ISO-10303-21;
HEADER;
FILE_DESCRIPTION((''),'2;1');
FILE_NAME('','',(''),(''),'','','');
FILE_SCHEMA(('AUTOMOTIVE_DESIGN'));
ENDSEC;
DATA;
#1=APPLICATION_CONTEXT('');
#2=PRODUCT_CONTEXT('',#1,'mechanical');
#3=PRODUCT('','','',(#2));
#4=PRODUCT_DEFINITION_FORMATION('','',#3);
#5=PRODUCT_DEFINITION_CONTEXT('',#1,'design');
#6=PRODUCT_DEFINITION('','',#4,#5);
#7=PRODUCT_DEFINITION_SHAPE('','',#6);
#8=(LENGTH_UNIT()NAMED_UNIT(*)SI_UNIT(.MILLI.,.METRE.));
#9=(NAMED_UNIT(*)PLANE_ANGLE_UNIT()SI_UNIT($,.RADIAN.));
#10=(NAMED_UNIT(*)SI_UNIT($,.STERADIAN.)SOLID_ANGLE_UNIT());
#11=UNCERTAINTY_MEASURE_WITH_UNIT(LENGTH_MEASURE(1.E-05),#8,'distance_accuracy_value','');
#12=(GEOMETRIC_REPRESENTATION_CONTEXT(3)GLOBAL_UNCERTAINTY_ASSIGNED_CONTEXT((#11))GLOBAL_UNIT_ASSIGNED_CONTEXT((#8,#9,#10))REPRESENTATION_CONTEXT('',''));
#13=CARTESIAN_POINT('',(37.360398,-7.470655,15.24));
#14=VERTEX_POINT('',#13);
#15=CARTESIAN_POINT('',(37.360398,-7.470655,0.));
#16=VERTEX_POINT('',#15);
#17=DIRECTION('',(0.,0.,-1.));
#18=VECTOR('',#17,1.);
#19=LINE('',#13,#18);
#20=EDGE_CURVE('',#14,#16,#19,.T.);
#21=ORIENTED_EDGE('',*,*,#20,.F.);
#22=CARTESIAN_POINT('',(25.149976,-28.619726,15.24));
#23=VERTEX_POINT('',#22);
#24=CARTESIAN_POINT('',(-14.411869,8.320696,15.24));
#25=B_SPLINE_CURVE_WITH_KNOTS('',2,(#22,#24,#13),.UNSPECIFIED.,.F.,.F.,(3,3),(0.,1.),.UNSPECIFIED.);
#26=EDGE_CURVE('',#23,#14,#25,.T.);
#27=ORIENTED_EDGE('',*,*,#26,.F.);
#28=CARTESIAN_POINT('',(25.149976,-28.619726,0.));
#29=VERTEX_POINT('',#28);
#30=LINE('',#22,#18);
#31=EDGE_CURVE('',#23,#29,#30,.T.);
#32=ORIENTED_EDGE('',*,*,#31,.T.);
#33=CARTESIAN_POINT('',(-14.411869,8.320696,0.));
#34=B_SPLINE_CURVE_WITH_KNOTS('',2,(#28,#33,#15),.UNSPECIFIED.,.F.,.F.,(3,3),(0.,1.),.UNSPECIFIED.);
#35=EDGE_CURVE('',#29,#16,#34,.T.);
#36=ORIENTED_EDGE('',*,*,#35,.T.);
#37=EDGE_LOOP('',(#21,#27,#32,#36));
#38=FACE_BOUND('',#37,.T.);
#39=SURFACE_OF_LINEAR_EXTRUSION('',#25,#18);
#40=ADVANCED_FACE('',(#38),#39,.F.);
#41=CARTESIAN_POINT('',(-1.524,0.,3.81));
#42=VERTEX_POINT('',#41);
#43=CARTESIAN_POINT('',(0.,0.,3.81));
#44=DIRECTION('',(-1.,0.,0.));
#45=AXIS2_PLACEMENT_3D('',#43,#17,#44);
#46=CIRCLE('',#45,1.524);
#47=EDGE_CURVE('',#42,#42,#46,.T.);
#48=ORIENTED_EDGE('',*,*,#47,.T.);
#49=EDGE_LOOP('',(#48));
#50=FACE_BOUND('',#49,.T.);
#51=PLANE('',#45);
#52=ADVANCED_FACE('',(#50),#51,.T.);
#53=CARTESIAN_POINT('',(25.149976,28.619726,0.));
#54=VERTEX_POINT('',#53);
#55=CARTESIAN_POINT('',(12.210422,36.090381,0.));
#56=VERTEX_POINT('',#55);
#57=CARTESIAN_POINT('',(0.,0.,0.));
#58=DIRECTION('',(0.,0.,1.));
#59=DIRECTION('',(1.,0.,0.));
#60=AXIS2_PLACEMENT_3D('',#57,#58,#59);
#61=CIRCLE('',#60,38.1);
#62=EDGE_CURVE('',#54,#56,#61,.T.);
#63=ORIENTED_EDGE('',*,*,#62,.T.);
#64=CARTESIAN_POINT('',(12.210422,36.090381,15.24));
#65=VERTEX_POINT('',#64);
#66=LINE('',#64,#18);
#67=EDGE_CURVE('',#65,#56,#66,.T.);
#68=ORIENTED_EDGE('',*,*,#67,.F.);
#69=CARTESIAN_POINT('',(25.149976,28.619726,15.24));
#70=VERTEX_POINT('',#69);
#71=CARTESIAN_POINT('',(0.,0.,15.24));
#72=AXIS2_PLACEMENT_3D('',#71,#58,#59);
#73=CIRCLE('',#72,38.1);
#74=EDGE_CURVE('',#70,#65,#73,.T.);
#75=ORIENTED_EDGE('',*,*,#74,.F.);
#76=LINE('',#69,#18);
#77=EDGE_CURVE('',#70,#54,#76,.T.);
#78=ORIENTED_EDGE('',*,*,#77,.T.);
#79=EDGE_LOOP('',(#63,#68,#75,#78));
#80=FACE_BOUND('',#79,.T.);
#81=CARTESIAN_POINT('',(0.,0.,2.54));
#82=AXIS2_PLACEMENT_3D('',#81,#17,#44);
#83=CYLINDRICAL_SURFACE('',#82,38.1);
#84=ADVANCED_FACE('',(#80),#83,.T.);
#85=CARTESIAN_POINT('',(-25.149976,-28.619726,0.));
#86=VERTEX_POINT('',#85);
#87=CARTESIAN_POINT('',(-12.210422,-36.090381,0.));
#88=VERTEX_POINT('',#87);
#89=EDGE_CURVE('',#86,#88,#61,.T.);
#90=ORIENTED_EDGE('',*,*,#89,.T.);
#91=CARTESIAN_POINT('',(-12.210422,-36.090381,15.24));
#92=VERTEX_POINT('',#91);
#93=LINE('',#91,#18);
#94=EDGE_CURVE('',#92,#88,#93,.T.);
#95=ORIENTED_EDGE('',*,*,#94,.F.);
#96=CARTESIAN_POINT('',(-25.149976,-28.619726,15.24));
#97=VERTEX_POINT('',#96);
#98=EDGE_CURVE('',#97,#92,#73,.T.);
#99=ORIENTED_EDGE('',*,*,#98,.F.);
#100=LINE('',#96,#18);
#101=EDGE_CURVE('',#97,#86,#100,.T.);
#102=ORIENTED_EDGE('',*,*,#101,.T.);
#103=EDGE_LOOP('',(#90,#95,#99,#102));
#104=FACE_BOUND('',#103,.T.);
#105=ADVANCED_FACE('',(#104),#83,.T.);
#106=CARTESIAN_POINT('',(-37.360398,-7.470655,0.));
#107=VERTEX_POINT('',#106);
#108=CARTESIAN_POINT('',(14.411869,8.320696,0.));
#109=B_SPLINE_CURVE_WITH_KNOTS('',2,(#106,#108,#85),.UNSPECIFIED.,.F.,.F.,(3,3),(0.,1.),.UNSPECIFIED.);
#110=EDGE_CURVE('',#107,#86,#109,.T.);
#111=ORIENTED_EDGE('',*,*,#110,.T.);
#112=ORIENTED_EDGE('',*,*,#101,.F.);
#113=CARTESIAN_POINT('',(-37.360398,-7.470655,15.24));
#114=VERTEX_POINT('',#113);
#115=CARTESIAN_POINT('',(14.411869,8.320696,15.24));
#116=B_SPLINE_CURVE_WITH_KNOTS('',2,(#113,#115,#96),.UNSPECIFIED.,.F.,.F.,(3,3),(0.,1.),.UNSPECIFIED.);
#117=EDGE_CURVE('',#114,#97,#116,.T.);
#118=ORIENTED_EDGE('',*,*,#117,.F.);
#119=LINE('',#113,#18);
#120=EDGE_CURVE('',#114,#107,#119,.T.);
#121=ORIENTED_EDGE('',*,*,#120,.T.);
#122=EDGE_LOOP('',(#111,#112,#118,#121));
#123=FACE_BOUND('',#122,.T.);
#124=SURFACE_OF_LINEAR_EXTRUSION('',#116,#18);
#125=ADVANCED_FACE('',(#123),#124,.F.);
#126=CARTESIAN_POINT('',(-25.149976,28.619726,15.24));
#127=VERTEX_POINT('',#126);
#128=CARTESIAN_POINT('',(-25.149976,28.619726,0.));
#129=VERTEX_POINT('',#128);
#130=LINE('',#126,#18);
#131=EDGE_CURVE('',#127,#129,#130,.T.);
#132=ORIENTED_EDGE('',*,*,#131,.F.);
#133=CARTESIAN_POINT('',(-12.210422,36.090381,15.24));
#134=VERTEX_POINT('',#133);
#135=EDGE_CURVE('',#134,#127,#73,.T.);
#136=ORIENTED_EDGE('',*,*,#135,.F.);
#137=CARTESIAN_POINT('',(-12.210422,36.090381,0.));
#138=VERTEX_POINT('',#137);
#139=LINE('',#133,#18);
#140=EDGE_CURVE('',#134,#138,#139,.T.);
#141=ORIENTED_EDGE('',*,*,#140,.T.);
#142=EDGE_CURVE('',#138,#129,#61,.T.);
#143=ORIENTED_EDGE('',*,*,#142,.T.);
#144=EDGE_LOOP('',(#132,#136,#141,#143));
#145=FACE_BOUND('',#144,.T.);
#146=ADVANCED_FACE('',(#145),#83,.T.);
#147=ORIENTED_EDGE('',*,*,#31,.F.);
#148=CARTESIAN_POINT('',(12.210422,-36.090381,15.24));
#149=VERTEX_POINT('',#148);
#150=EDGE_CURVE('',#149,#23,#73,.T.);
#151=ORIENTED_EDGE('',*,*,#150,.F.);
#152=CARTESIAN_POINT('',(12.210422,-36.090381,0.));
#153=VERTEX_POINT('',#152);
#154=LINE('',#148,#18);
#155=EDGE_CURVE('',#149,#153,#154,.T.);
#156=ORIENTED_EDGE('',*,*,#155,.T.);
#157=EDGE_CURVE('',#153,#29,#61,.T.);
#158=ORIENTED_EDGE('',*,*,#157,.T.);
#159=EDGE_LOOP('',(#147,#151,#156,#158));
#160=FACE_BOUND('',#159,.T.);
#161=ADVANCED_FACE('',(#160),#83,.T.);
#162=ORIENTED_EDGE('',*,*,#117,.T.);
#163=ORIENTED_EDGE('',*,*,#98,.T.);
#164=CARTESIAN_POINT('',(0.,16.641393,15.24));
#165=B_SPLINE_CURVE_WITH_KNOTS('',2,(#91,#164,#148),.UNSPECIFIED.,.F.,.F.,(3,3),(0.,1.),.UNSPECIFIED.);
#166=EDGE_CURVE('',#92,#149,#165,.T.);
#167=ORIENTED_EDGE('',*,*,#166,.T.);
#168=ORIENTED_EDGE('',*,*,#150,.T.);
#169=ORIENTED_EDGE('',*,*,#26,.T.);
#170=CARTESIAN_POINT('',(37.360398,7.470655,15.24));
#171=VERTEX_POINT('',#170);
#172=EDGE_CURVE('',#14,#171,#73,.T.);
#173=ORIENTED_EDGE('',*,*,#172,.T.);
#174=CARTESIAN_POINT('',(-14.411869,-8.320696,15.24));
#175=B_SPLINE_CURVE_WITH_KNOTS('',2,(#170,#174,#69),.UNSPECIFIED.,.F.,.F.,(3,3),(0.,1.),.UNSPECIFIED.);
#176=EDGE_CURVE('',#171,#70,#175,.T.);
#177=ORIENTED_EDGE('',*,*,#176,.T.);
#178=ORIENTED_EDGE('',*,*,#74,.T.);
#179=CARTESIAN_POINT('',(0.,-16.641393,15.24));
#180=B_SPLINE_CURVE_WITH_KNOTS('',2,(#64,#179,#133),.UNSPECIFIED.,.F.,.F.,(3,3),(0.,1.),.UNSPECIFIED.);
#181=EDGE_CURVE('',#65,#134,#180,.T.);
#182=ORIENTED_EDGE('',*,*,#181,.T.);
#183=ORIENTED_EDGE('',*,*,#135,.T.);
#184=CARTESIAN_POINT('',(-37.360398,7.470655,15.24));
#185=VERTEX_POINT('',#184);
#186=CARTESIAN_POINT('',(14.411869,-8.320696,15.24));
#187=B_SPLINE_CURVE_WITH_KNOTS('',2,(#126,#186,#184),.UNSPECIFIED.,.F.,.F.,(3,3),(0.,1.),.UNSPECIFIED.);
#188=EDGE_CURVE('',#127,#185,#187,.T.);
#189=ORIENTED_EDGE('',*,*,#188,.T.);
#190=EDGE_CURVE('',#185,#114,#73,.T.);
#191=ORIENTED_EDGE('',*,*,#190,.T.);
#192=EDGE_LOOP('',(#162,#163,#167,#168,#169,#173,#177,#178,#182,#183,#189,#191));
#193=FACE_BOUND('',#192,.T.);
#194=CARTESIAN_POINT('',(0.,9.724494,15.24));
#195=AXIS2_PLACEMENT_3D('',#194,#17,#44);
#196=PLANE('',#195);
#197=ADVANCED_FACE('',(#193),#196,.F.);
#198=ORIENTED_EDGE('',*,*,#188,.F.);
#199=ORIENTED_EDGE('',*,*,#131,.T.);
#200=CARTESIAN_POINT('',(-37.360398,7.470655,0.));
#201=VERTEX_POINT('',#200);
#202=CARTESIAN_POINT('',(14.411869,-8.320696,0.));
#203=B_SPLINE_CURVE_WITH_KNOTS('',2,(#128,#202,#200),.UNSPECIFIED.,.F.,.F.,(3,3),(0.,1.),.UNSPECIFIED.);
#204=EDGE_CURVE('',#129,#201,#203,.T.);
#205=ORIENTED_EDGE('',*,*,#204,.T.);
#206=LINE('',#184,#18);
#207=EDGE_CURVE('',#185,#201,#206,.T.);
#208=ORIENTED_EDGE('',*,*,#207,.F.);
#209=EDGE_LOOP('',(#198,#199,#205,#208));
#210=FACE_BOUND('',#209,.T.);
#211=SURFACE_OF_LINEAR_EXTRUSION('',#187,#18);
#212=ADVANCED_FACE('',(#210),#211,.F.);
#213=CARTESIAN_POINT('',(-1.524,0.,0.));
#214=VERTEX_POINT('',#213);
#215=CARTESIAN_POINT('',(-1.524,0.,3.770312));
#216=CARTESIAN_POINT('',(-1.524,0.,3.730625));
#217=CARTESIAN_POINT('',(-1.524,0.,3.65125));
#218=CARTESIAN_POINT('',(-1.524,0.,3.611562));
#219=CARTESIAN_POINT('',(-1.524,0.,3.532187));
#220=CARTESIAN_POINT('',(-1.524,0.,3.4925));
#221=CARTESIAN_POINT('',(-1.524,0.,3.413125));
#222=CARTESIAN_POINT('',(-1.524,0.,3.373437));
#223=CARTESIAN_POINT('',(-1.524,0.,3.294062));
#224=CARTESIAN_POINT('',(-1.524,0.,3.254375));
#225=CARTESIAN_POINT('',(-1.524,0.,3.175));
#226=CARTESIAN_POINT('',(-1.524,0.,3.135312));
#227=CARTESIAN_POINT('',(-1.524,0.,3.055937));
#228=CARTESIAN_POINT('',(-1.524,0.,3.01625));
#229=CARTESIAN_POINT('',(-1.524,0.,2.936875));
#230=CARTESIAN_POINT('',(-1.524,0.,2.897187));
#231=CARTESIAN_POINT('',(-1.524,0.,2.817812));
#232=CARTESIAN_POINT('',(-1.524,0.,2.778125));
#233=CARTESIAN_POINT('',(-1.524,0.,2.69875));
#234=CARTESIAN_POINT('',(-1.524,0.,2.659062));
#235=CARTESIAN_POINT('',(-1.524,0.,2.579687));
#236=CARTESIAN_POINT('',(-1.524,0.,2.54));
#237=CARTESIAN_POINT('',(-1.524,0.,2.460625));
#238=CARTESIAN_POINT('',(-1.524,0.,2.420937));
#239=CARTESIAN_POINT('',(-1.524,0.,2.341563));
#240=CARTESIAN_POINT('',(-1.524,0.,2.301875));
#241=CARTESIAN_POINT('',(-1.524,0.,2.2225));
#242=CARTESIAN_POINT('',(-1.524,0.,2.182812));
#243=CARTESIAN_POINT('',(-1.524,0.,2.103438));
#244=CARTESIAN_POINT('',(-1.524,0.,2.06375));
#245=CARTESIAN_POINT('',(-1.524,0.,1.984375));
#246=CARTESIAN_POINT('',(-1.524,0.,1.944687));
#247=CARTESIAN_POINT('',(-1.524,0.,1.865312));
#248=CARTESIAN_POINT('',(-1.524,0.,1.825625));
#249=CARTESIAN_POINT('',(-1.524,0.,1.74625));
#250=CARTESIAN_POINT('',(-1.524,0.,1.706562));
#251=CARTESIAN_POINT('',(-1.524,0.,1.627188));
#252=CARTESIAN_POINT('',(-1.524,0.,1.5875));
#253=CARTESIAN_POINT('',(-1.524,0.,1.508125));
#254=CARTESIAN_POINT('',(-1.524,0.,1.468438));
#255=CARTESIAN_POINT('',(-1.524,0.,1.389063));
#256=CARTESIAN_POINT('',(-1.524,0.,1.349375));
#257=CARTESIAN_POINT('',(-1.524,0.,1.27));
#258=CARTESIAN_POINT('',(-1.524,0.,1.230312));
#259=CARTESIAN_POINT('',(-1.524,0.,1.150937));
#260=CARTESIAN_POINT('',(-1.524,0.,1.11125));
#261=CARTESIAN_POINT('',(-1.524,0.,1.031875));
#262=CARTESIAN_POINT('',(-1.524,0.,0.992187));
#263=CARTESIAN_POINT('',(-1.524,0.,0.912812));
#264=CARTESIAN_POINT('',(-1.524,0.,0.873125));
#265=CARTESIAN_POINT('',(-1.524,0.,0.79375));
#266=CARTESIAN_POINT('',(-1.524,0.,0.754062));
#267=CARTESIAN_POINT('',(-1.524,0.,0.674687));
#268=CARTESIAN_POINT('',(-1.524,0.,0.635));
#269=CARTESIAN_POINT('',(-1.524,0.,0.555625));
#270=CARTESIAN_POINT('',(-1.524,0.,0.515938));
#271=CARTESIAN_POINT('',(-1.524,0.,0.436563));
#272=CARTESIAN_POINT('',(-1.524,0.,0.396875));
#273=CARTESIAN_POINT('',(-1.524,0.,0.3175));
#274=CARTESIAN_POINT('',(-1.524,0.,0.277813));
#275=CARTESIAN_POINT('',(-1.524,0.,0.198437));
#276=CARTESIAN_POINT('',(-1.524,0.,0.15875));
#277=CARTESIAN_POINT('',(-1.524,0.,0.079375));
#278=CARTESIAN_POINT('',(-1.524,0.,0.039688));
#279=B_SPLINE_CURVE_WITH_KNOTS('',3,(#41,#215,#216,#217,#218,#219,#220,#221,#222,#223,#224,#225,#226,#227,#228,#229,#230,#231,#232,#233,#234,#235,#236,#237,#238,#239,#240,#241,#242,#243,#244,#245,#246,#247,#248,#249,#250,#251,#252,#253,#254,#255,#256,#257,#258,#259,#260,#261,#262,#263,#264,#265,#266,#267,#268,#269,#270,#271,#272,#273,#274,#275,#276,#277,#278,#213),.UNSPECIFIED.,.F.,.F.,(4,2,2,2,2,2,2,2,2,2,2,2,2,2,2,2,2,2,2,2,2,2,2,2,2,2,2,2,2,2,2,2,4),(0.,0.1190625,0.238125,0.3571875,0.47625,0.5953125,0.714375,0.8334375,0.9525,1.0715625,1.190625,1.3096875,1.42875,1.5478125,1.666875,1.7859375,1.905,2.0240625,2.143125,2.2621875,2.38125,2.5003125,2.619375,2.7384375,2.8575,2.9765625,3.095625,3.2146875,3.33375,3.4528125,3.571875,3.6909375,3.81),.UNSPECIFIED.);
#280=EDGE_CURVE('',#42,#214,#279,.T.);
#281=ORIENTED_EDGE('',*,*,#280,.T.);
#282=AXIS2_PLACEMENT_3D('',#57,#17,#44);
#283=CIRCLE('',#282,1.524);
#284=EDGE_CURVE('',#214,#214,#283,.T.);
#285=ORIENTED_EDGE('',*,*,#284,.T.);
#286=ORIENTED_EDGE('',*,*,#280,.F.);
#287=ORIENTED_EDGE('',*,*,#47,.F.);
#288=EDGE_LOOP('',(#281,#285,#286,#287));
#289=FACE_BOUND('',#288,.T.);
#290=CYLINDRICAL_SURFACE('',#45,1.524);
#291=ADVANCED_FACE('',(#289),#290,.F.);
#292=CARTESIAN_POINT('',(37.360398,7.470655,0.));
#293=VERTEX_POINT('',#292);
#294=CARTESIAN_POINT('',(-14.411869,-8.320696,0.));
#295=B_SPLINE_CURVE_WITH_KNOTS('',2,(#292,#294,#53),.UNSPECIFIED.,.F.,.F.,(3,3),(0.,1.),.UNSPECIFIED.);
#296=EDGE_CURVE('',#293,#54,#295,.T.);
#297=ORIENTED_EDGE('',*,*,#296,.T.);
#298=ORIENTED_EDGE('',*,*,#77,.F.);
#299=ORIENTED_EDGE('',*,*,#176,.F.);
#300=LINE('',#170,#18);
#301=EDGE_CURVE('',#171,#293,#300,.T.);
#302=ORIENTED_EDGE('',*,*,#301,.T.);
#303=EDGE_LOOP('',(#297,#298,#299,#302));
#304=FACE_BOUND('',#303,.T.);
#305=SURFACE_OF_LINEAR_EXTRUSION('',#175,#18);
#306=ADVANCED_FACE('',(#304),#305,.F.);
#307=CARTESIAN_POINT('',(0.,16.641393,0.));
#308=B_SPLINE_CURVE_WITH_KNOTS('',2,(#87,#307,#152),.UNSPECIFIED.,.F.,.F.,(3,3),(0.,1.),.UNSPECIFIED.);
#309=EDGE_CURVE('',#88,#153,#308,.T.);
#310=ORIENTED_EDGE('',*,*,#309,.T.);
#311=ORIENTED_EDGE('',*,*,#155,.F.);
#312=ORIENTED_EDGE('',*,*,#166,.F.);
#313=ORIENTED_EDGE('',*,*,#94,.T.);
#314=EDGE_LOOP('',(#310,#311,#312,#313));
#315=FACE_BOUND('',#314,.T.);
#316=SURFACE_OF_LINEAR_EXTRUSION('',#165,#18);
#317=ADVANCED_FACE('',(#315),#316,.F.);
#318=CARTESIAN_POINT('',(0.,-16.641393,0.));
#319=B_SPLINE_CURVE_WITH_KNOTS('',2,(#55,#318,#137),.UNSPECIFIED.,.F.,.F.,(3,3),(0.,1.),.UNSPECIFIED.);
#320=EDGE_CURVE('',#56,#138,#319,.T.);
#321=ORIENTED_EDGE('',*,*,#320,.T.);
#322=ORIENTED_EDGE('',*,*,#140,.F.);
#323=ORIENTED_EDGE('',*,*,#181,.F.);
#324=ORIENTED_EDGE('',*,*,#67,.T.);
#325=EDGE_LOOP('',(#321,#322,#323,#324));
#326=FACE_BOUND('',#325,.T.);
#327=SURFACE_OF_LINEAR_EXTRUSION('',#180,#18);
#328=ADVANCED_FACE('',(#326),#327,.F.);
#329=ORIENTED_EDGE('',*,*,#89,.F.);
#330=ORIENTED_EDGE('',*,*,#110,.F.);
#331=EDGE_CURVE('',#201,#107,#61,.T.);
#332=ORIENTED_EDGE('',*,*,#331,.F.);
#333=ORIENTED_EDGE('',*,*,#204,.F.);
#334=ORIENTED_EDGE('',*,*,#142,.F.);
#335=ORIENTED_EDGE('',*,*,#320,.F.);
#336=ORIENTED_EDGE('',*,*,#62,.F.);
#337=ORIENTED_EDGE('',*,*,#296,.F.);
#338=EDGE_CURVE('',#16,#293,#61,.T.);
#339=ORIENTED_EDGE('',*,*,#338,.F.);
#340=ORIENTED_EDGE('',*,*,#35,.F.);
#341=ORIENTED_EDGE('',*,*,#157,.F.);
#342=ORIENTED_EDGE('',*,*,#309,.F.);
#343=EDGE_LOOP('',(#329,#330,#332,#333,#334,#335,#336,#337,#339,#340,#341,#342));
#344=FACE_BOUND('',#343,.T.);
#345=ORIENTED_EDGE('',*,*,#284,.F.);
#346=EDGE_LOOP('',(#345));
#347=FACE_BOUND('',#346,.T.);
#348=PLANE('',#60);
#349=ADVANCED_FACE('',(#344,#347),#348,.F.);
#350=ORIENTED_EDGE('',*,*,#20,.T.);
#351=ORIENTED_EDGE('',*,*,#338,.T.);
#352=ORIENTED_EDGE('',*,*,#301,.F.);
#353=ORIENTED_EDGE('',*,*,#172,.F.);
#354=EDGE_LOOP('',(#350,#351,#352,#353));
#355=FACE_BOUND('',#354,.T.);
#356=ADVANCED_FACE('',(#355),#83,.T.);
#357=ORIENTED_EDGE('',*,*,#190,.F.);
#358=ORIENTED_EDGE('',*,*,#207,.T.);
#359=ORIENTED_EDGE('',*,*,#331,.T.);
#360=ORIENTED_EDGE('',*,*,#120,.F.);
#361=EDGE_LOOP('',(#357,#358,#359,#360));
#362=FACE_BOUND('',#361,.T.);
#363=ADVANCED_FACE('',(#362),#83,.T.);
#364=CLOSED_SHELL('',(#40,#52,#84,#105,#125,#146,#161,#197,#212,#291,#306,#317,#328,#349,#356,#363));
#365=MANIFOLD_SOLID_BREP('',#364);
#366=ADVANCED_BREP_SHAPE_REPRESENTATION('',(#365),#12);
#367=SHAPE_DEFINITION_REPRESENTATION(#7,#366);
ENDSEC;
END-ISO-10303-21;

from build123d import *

# Parameters (mm, degrees)
SKETCH2_R           = 38.1
BOSS_EXTRUDE1_DEPTH = 2.54
BOSS_EXTRUDE2_DEPTH = 12.7
SKETCH4_R           = 1.524
CUT_EXTRUDE1_DEPTH  = 3.81
CUT_EXTRUDE2_DEPTH  = 46.228


with BuildPart() as part:
    # Sketch2 → Boss-Extrude1 (new body)
    with BuildSketch(Plane.XY):
        Circle(SKETCH2_R)
    extrude(amount=BOSS_EXTRUDE1_DEPTH)

    # Sketch3 → Boss-Extrude2 (add)
    with BuildSketch(Plane.XY.offset(2.54)):
        with BuildLine():
            ThreePointArc((-37.360397619, 7.470655243), (-38.1, 0), (-37.360397619, -7.470655243))
            add(Edge.make_bspline(
                [(-25.149976033, -28.619725812), (14.41186903, 8.320696464), (-37.360397619, -7.470655243)],
                knots=[0, 0, 0, 1, 1, 1], degree=2))
            ThreePointArc((-25.149976033, -28.619725812), (-19.05, -32.995567884), (-12.210421586, -36.090381055))
            add(Edge.make_bspline(
                [(12.210421586, -36.090381055), (0, 16.641392928), (-12.210421586, -36.090381055)],
                knots=[0, 0, 0, 1, 1, 1], degree=2))
            ThreePointArc((12.210421586, -36.090381055), (19.05, -32.995567884), (25.149976033, -28.619725812))
            add(Edge.make_bspline(
                [(37.360397619, -7.470655243), (-14.41186903, 8.320696464), (25.149976033, -28.619725812)],
                knots=[0, 0, 0, 1, 1, 1], degree=2))
            ThreePointArc((37.360397619, -7.470655243), (38.1, 0), (37.360397619, 7.470655243))
            add(Edge.make_bspline(
                [(25.149976033, 28.619725812), (-14.41186903, -8.320696464), (37.360397619, 7.470655243)],
                knots=[0, 0, 0, 1, 1, 1], degree=2))
            ThreePointArc((25.149976033, 28.619725812), (19.05, 32.995567884), (12.210421586, 36.090381055))
            add(Edge.make_bspline(
                [(-12.210421586, 36.090381055), (0, -16.641392928), (12.210421586, 36.090381055)],
                knots=[0, 0, 0, 1, 1, 1], degree=2))
            ThreePointArc((-12.210421586, 36.090381055), (-19.05, 32.995567884), (-25.149976033, 28.619725812))
            add(Edge.make_bspline(
                [(-37.360397619, 7.470655243), (14.41186903, -8.320696464), (-25.149976033, 28.619725812)],
                knots=[0, 0, 0, 1, 1, 1], degree=2))
        make_face()
    extrude(amount=BOSS_EXTRUDE2_DEPTH)

    # Sketch4 → Cut-Extrude1 (cut)
    with BuildSketch(Plane(origin=(0, 0, 0), x_dir=(-1, 0, 0), z_dir=(0, 0, -1))):
        Circle(SKETCH4_R)
    extrude(amount=-CUT_EXTRUDE1_DEPTH, mode=Mode.SUBTRACT)

    # Sketch6 → Cut-Extrude2 (cut)
    with BuildSketch(Plane.XY.offset(15.24)):
        with BuildLine():
            ThreePointArc((25.149976033, -28.619725812), (32.995567884, -19.05), (37.360397619, -7.470655243))
            add(Edge.make_bspline(
                [(25.149976033, -28.619725812), (-14.41186903, 8.320696464), (37.360397619, -7.470655243)],
                knots=[0, 0, 0, 1, 1, 1], degree=2))
        make_face()
        with BuildLine():
            ThreePointArc((37.360397619, 7.470655243), (32.995567884, 19.05), (25.149976033, 28.619725812))
            add(Edge.make_bspline(
                [(37.360397619, 7.470655243), (-14.41186903, -8.320696464), (25.149976033, 28.619725812)],
                knots=[0, 0, 0, 1, 1, 1], degree=2))
        make_face()
        with BuildLine():
            ThreePointArc((12.210421586, 36.090381055), (0, 38.1), (-12.210421586, 36.090381055))
            add(Edge.make_bspline(
                [(12.210421586, 36.090381055), (0, -16.641392928), (-12.210421586, 36.090381055)],
                knots=[0, 0, 0, 1, 1, 1], degree=2))
        make_face()
        with BuildLine():
            ThreePointArc((-25.149976033, 28.619725812), (-32.995567884, 19.05), (-37.360397619, 7.470655243))
            add(Edge.make_bspline(
                [(-25.149976033, 28.619725812), (14.41186903, -8.320696464), (-37.360397619, 7.470655243)],
                knots=[0, 0, 0, 1, 1, 1], degree=2))
        make_face()
        with BuildLine():
            ThreePointArc((-37.360397619, -7.470655243), (-32.995567884, -19.05), (-25.149976033, -28.619725812))
            add(Edge.make_bspline(
                [(-37.360397619, -7.470655243), (14.41186903, 8.320696464), (-25.149976033, -28.619725812)],
                knots=[0, 0, 0, 1, 1, 1], degree=2))
        make_face()
        with BuildLine():
            ThreePointArc((-12.210421586, -36.090381055), (0, -38.1), (12.210421586, -36.090381055))
            add(Edge.make_bspline(
                [(-12.210421586, -36.090381055), (0, 16.641392928), (12.210421586, -36.090381055)],
                knots=[0, 0, 0, 1, 1, 1], degree=2))
        make_face()
    extrude(amount=-CUT_EXTRUDE2_DEPTH, mode=Mode.SUBTRACT)


solid = part.part
